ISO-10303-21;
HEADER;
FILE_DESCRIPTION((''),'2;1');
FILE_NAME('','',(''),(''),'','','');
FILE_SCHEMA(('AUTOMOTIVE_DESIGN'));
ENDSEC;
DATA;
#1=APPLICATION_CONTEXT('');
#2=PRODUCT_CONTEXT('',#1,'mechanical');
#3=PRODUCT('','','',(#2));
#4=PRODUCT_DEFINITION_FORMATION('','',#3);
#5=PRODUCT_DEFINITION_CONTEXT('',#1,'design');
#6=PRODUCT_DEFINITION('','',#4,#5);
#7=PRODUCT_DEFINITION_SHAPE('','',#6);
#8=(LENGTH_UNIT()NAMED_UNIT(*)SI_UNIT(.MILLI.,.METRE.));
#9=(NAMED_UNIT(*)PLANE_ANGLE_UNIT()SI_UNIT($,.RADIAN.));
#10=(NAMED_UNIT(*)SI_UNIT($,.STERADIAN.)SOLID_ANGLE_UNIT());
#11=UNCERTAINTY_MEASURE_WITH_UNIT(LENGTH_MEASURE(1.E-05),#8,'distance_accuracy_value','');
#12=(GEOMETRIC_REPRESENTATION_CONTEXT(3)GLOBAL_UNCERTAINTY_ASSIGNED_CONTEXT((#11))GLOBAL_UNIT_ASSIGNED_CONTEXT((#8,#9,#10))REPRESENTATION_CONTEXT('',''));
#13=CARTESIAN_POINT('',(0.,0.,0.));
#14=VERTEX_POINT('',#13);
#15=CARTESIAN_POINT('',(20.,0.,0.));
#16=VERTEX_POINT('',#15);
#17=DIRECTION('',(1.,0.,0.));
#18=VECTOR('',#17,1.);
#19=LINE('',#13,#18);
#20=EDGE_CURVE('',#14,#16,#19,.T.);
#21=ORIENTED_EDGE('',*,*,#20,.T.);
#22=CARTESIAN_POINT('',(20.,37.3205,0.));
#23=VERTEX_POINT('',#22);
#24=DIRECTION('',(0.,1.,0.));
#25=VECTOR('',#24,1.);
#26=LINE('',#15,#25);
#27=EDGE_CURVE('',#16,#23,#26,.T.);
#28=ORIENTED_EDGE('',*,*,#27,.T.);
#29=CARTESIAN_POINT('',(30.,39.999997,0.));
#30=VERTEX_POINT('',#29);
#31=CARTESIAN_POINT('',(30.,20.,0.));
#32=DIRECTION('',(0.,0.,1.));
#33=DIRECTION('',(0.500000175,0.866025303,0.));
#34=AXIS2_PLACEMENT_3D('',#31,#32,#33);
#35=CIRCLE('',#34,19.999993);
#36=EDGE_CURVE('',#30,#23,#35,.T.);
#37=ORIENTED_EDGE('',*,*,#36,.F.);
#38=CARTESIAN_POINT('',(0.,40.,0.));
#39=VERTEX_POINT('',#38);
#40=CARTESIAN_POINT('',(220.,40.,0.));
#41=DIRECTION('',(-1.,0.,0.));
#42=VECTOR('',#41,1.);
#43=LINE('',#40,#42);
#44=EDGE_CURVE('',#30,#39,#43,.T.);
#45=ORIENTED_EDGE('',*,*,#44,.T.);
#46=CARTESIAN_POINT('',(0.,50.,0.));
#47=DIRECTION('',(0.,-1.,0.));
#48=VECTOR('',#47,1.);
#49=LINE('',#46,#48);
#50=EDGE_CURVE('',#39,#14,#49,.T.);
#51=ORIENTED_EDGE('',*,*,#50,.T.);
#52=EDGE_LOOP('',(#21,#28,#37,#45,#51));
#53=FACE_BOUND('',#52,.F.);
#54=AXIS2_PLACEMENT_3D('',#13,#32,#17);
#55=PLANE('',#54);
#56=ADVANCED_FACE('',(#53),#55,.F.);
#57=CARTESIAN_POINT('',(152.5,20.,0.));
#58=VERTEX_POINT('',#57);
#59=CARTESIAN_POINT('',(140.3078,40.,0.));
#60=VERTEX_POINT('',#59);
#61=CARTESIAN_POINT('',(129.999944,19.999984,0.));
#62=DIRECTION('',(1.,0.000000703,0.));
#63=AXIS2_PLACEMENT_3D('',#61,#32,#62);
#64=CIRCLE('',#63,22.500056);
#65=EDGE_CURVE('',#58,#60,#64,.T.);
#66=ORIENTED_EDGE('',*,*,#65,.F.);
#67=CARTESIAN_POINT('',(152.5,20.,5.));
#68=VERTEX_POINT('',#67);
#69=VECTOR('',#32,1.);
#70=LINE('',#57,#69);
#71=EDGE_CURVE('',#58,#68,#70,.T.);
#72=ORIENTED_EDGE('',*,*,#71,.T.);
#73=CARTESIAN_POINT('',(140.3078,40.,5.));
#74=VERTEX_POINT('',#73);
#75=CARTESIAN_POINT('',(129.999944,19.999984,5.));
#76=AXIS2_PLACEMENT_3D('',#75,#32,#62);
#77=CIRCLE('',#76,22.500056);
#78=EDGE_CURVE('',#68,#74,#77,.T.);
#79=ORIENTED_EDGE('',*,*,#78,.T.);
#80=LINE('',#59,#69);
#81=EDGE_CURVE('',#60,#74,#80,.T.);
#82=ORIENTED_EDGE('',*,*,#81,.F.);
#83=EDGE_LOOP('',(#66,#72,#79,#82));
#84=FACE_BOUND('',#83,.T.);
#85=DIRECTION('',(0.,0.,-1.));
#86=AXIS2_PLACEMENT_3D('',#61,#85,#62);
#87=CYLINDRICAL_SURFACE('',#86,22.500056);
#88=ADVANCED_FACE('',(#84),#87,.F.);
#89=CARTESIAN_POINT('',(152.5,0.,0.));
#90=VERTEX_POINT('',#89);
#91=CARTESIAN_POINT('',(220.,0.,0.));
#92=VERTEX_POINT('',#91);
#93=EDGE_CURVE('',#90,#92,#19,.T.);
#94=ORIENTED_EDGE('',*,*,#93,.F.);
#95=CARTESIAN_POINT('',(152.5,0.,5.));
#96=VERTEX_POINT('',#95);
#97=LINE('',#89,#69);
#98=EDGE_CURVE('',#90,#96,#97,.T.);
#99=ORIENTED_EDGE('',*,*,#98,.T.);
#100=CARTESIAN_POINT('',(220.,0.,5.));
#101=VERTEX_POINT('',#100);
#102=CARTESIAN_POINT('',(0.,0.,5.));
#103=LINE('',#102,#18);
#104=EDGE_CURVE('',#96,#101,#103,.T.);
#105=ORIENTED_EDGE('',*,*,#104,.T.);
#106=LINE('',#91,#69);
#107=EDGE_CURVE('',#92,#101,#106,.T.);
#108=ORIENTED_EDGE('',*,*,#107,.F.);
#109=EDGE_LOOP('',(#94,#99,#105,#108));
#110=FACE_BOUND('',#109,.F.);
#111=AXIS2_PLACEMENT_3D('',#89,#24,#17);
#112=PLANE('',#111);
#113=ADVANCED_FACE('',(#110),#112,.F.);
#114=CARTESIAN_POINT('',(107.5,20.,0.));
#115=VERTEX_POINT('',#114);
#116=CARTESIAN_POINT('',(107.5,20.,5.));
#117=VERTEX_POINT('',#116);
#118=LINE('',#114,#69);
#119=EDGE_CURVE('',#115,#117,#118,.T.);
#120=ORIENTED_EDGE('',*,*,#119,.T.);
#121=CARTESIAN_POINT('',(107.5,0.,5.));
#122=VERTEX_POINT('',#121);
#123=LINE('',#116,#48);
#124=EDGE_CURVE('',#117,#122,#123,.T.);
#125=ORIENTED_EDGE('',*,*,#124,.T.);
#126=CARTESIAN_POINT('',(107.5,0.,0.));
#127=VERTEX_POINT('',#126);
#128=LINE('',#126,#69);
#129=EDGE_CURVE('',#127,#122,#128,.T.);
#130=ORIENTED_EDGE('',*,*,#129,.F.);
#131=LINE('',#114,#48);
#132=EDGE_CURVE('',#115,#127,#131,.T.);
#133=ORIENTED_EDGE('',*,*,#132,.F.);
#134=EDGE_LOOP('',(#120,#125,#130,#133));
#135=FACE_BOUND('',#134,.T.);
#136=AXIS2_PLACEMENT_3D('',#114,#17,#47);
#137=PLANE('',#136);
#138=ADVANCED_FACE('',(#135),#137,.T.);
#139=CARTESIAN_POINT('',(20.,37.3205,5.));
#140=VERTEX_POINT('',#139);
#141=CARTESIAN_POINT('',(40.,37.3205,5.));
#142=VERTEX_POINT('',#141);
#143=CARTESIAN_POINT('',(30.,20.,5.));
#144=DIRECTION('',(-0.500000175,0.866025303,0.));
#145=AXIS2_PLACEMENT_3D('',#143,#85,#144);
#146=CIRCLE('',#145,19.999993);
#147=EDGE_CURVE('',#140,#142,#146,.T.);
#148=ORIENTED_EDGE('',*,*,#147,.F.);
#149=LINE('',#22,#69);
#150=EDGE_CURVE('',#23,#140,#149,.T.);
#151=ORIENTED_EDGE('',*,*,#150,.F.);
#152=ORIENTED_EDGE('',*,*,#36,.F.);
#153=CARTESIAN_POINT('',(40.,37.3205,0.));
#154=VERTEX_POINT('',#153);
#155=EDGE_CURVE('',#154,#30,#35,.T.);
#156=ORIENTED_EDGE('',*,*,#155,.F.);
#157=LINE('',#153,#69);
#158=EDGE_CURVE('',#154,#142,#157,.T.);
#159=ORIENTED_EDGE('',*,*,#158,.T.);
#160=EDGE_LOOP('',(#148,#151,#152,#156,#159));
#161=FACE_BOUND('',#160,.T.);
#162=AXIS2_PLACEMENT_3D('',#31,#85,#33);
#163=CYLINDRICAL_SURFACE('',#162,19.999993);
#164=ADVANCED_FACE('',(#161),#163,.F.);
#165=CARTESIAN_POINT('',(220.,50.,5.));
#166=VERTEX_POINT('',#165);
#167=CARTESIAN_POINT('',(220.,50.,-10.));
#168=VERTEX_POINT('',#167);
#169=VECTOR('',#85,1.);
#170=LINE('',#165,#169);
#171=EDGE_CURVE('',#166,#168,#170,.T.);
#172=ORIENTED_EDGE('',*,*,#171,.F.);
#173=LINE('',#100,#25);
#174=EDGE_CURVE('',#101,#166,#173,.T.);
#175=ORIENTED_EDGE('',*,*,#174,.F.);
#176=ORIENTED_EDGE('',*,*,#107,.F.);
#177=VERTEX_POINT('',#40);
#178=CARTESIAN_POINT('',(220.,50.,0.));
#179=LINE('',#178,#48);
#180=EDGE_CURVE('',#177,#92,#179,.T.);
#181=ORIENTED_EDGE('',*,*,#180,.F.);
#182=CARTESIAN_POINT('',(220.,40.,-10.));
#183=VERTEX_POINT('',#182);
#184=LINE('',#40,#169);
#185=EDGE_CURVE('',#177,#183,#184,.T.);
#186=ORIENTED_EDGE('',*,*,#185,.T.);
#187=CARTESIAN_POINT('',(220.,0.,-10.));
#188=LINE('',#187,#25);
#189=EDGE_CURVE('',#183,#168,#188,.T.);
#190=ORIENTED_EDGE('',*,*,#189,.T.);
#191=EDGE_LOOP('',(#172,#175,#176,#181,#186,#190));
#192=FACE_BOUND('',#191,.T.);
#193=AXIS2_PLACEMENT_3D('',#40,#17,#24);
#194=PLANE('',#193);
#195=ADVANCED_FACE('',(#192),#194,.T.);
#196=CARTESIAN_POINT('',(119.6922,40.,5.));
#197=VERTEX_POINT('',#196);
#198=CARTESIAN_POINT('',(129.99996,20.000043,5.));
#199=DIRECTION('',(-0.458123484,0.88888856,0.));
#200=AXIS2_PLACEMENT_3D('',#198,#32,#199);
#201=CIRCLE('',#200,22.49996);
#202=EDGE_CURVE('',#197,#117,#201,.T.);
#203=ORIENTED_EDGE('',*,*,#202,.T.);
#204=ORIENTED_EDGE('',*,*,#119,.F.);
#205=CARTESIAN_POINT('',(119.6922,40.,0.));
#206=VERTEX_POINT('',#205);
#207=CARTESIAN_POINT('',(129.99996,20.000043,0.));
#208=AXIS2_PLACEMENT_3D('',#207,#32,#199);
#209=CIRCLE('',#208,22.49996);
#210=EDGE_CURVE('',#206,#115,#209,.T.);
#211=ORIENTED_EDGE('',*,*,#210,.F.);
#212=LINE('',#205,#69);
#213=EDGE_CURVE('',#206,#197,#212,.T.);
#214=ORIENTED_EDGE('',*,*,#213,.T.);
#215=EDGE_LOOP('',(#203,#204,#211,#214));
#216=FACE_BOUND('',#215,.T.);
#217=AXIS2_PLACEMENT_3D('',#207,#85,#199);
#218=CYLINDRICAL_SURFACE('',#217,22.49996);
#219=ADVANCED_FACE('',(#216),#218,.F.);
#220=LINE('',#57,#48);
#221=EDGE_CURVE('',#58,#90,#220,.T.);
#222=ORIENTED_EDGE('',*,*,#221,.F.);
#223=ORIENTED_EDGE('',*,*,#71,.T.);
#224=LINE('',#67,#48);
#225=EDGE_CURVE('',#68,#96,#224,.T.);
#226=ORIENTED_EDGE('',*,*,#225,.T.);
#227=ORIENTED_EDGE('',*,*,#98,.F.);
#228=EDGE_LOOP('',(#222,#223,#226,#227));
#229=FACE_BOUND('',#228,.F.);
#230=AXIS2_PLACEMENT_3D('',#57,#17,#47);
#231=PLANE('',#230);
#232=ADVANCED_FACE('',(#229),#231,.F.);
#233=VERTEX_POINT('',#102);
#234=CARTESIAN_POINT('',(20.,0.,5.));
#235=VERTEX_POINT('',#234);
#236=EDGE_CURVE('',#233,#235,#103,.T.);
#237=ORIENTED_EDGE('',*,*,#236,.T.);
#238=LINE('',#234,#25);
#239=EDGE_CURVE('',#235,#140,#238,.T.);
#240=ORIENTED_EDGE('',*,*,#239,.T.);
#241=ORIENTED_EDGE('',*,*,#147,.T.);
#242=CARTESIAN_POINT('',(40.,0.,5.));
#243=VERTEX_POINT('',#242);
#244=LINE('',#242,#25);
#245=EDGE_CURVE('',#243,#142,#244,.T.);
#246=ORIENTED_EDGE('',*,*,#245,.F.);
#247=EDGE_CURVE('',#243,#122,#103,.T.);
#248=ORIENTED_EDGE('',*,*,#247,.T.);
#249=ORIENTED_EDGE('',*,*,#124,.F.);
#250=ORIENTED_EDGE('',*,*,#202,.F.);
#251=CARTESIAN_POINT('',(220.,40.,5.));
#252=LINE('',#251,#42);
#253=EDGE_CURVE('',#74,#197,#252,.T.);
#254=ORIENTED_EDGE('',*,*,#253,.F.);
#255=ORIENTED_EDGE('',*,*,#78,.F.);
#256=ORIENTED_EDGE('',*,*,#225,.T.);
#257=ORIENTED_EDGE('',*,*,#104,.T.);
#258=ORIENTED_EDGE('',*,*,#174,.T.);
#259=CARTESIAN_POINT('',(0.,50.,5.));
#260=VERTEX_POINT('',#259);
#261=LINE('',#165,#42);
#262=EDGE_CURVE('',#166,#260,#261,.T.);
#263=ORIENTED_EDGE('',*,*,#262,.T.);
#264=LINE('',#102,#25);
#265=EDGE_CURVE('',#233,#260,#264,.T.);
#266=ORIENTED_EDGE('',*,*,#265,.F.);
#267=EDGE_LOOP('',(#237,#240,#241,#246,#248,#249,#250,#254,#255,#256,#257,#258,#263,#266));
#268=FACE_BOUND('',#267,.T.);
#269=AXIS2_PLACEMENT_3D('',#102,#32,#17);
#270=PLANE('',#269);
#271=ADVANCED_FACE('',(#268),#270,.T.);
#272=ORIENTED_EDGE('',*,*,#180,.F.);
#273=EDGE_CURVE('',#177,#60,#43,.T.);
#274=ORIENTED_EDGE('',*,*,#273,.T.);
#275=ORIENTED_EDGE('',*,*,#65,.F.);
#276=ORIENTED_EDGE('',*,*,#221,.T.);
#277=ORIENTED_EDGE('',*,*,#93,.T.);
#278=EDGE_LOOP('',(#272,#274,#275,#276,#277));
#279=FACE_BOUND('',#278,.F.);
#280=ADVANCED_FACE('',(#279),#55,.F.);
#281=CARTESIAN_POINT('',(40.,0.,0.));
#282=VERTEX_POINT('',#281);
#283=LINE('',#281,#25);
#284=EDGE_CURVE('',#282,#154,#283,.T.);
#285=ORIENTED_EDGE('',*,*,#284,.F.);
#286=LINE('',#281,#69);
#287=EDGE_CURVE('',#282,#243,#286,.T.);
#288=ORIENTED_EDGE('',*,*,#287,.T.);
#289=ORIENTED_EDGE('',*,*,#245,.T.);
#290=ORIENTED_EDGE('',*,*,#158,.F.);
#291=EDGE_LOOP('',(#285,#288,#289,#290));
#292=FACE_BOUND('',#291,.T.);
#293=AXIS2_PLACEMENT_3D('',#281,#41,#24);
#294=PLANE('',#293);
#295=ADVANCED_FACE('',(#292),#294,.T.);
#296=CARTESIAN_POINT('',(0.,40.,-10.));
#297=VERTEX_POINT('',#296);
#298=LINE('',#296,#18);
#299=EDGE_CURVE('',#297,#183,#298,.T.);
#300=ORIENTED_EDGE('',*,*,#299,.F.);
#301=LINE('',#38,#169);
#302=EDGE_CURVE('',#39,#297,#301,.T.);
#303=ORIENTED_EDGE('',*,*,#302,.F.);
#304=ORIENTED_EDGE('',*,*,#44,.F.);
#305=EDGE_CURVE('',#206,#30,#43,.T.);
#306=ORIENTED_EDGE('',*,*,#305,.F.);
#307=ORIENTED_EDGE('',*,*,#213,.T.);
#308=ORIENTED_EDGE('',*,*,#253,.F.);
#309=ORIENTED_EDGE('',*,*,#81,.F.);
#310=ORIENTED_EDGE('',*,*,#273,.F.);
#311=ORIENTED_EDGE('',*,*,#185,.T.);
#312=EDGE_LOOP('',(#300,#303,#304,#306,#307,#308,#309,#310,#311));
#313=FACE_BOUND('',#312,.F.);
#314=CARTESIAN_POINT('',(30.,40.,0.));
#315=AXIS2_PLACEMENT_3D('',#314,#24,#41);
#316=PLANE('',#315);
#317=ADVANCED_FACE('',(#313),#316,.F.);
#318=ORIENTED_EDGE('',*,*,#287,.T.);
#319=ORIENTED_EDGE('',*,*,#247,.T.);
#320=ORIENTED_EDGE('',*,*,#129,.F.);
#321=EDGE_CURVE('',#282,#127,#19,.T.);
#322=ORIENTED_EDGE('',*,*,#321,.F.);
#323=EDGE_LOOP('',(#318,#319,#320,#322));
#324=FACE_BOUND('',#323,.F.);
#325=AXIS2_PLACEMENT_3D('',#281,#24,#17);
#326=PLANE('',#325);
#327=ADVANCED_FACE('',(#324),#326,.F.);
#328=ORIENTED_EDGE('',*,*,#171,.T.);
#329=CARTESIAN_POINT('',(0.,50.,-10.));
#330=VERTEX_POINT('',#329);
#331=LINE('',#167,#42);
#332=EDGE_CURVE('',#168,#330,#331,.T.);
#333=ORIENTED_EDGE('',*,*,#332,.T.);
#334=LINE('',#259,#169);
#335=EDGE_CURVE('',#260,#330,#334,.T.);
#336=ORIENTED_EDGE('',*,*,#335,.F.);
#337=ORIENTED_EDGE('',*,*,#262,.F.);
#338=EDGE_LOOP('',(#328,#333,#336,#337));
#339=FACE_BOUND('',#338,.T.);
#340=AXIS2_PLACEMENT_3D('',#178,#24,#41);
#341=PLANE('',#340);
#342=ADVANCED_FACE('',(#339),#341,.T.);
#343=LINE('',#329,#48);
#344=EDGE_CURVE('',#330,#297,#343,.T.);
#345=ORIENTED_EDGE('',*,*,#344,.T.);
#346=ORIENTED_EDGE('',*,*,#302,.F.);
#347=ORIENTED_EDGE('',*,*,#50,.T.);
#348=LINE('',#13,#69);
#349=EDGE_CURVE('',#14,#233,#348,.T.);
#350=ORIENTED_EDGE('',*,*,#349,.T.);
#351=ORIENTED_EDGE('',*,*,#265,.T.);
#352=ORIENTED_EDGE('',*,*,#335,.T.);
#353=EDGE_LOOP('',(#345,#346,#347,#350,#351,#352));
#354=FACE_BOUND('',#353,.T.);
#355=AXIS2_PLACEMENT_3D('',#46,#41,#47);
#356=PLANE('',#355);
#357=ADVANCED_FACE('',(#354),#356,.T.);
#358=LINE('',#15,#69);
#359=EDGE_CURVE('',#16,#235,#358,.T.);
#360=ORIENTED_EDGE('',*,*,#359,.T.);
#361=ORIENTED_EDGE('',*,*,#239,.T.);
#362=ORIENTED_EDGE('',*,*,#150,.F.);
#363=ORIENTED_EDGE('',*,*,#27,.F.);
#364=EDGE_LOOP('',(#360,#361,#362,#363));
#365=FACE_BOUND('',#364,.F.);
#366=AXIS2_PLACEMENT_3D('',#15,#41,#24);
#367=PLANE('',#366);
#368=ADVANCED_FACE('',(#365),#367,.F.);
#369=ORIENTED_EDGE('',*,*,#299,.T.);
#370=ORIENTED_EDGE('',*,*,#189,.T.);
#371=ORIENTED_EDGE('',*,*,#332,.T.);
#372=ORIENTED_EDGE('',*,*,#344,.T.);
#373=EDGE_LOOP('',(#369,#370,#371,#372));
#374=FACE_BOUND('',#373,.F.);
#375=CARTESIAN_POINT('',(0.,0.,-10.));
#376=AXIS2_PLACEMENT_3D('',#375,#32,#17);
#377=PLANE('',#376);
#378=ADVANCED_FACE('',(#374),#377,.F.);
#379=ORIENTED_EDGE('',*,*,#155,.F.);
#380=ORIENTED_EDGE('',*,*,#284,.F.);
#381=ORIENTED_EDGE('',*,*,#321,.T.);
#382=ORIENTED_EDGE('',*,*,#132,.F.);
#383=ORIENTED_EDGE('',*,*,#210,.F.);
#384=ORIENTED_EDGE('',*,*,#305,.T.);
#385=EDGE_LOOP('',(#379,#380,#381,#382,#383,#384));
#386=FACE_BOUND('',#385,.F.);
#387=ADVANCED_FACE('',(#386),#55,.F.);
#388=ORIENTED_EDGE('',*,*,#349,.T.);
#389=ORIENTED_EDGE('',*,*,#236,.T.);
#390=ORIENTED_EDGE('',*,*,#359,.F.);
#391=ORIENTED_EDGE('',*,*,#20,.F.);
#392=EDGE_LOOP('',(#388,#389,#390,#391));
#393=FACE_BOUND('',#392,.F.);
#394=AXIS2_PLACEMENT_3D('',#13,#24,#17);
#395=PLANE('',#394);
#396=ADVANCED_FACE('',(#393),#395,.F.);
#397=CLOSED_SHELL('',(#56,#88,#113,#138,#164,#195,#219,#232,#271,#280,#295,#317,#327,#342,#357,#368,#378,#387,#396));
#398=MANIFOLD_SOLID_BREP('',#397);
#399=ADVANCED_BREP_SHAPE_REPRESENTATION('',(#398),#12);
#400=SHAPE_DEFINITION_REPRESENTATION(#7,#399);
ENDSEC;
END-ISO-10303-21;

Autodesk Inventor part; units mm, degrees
ref_plane "YZ Plane" through (0, 0, 0) normal (1, 0, 0) x (0, 1, 0)
ref_plane "XZ Plane" through (0, 0, 0) normal (0, 1, 0) x (-1, 0, 0)
ref_plane "XY Plane" through (0, 0, 0) normal (0, 0, 1) x (1, 0, 0)
sketch "Skizze1" plane through (0, 0, 0) normal (0, 0, 1) x (1, 0, 0)
  line L0 (0, 0) -> (220, 0)
  line L1 (220, 0) -> (220, 50)
  line L2 (220, 50) -> (0, 50)
  line L3 (0, 50) -> (0, 0)
  line L4 (0, 50) -> (220, 50)
  line L5 (220, 50) -> (220, 40)
  line L6 (220, 40) -> (0, 40)
  line L7 (0, 40) -> (0, 50)
  line L8 (130, 0) -> (130, 40) construction
  line L9 (30, 0) -> (30, 40) construction
  circle A0 centre (130, 20) radius 22.5 construction
  circle A1 centre (30, 20) radius 20 construction
  line L10 (20, 0) -> (20, 37.3205)
  line L11 (40, 0) -> (40, 37.3205)
  arc A2 (40, 37.3205) -> (20, 37.3205) centre (30, 20) ccw
  arc A3 (20, 2.6795) -> (40, 2.6795) centre (30, 20) ccw construction
  line L12 (107.5, 20) -> (107.5, 0)
  line L13 (152.5, 20) -> (152.5, 0)
  arc A4 (119.6922, 40) -> (107.5, 20) centre (130, 20) ccw
  arc A5 (152.5, 20) -> (140.3078, 40) centre (130, 20) ccw
  point P0 (0, 40)
  dimension "d0" = 10
  dimension "d1" = 100
  dimension "d2" = 90
  dimension "d3" = 220
  dimension "d4" = 40
  dimension "d5" = 45
  dimension "d6" = 20
  dimension "d7" = 10
extrude "Extrusion1" add sketch "Skizze1" along normal blind 5 contours L3 L6 A2 L10 L0 | L3 L2 L1 L6 | L11 A2 L6 A4 L12 L0 | L13 A5 L6 L1 L0
extrude "Extrusion2" add sketch "Skizze1" against normal blind 10 contours L3 L2 L1 L6
equation "\"d7\" = 0.5 * d6"
properties part number "Gabel_Positionierung_Schablone"
